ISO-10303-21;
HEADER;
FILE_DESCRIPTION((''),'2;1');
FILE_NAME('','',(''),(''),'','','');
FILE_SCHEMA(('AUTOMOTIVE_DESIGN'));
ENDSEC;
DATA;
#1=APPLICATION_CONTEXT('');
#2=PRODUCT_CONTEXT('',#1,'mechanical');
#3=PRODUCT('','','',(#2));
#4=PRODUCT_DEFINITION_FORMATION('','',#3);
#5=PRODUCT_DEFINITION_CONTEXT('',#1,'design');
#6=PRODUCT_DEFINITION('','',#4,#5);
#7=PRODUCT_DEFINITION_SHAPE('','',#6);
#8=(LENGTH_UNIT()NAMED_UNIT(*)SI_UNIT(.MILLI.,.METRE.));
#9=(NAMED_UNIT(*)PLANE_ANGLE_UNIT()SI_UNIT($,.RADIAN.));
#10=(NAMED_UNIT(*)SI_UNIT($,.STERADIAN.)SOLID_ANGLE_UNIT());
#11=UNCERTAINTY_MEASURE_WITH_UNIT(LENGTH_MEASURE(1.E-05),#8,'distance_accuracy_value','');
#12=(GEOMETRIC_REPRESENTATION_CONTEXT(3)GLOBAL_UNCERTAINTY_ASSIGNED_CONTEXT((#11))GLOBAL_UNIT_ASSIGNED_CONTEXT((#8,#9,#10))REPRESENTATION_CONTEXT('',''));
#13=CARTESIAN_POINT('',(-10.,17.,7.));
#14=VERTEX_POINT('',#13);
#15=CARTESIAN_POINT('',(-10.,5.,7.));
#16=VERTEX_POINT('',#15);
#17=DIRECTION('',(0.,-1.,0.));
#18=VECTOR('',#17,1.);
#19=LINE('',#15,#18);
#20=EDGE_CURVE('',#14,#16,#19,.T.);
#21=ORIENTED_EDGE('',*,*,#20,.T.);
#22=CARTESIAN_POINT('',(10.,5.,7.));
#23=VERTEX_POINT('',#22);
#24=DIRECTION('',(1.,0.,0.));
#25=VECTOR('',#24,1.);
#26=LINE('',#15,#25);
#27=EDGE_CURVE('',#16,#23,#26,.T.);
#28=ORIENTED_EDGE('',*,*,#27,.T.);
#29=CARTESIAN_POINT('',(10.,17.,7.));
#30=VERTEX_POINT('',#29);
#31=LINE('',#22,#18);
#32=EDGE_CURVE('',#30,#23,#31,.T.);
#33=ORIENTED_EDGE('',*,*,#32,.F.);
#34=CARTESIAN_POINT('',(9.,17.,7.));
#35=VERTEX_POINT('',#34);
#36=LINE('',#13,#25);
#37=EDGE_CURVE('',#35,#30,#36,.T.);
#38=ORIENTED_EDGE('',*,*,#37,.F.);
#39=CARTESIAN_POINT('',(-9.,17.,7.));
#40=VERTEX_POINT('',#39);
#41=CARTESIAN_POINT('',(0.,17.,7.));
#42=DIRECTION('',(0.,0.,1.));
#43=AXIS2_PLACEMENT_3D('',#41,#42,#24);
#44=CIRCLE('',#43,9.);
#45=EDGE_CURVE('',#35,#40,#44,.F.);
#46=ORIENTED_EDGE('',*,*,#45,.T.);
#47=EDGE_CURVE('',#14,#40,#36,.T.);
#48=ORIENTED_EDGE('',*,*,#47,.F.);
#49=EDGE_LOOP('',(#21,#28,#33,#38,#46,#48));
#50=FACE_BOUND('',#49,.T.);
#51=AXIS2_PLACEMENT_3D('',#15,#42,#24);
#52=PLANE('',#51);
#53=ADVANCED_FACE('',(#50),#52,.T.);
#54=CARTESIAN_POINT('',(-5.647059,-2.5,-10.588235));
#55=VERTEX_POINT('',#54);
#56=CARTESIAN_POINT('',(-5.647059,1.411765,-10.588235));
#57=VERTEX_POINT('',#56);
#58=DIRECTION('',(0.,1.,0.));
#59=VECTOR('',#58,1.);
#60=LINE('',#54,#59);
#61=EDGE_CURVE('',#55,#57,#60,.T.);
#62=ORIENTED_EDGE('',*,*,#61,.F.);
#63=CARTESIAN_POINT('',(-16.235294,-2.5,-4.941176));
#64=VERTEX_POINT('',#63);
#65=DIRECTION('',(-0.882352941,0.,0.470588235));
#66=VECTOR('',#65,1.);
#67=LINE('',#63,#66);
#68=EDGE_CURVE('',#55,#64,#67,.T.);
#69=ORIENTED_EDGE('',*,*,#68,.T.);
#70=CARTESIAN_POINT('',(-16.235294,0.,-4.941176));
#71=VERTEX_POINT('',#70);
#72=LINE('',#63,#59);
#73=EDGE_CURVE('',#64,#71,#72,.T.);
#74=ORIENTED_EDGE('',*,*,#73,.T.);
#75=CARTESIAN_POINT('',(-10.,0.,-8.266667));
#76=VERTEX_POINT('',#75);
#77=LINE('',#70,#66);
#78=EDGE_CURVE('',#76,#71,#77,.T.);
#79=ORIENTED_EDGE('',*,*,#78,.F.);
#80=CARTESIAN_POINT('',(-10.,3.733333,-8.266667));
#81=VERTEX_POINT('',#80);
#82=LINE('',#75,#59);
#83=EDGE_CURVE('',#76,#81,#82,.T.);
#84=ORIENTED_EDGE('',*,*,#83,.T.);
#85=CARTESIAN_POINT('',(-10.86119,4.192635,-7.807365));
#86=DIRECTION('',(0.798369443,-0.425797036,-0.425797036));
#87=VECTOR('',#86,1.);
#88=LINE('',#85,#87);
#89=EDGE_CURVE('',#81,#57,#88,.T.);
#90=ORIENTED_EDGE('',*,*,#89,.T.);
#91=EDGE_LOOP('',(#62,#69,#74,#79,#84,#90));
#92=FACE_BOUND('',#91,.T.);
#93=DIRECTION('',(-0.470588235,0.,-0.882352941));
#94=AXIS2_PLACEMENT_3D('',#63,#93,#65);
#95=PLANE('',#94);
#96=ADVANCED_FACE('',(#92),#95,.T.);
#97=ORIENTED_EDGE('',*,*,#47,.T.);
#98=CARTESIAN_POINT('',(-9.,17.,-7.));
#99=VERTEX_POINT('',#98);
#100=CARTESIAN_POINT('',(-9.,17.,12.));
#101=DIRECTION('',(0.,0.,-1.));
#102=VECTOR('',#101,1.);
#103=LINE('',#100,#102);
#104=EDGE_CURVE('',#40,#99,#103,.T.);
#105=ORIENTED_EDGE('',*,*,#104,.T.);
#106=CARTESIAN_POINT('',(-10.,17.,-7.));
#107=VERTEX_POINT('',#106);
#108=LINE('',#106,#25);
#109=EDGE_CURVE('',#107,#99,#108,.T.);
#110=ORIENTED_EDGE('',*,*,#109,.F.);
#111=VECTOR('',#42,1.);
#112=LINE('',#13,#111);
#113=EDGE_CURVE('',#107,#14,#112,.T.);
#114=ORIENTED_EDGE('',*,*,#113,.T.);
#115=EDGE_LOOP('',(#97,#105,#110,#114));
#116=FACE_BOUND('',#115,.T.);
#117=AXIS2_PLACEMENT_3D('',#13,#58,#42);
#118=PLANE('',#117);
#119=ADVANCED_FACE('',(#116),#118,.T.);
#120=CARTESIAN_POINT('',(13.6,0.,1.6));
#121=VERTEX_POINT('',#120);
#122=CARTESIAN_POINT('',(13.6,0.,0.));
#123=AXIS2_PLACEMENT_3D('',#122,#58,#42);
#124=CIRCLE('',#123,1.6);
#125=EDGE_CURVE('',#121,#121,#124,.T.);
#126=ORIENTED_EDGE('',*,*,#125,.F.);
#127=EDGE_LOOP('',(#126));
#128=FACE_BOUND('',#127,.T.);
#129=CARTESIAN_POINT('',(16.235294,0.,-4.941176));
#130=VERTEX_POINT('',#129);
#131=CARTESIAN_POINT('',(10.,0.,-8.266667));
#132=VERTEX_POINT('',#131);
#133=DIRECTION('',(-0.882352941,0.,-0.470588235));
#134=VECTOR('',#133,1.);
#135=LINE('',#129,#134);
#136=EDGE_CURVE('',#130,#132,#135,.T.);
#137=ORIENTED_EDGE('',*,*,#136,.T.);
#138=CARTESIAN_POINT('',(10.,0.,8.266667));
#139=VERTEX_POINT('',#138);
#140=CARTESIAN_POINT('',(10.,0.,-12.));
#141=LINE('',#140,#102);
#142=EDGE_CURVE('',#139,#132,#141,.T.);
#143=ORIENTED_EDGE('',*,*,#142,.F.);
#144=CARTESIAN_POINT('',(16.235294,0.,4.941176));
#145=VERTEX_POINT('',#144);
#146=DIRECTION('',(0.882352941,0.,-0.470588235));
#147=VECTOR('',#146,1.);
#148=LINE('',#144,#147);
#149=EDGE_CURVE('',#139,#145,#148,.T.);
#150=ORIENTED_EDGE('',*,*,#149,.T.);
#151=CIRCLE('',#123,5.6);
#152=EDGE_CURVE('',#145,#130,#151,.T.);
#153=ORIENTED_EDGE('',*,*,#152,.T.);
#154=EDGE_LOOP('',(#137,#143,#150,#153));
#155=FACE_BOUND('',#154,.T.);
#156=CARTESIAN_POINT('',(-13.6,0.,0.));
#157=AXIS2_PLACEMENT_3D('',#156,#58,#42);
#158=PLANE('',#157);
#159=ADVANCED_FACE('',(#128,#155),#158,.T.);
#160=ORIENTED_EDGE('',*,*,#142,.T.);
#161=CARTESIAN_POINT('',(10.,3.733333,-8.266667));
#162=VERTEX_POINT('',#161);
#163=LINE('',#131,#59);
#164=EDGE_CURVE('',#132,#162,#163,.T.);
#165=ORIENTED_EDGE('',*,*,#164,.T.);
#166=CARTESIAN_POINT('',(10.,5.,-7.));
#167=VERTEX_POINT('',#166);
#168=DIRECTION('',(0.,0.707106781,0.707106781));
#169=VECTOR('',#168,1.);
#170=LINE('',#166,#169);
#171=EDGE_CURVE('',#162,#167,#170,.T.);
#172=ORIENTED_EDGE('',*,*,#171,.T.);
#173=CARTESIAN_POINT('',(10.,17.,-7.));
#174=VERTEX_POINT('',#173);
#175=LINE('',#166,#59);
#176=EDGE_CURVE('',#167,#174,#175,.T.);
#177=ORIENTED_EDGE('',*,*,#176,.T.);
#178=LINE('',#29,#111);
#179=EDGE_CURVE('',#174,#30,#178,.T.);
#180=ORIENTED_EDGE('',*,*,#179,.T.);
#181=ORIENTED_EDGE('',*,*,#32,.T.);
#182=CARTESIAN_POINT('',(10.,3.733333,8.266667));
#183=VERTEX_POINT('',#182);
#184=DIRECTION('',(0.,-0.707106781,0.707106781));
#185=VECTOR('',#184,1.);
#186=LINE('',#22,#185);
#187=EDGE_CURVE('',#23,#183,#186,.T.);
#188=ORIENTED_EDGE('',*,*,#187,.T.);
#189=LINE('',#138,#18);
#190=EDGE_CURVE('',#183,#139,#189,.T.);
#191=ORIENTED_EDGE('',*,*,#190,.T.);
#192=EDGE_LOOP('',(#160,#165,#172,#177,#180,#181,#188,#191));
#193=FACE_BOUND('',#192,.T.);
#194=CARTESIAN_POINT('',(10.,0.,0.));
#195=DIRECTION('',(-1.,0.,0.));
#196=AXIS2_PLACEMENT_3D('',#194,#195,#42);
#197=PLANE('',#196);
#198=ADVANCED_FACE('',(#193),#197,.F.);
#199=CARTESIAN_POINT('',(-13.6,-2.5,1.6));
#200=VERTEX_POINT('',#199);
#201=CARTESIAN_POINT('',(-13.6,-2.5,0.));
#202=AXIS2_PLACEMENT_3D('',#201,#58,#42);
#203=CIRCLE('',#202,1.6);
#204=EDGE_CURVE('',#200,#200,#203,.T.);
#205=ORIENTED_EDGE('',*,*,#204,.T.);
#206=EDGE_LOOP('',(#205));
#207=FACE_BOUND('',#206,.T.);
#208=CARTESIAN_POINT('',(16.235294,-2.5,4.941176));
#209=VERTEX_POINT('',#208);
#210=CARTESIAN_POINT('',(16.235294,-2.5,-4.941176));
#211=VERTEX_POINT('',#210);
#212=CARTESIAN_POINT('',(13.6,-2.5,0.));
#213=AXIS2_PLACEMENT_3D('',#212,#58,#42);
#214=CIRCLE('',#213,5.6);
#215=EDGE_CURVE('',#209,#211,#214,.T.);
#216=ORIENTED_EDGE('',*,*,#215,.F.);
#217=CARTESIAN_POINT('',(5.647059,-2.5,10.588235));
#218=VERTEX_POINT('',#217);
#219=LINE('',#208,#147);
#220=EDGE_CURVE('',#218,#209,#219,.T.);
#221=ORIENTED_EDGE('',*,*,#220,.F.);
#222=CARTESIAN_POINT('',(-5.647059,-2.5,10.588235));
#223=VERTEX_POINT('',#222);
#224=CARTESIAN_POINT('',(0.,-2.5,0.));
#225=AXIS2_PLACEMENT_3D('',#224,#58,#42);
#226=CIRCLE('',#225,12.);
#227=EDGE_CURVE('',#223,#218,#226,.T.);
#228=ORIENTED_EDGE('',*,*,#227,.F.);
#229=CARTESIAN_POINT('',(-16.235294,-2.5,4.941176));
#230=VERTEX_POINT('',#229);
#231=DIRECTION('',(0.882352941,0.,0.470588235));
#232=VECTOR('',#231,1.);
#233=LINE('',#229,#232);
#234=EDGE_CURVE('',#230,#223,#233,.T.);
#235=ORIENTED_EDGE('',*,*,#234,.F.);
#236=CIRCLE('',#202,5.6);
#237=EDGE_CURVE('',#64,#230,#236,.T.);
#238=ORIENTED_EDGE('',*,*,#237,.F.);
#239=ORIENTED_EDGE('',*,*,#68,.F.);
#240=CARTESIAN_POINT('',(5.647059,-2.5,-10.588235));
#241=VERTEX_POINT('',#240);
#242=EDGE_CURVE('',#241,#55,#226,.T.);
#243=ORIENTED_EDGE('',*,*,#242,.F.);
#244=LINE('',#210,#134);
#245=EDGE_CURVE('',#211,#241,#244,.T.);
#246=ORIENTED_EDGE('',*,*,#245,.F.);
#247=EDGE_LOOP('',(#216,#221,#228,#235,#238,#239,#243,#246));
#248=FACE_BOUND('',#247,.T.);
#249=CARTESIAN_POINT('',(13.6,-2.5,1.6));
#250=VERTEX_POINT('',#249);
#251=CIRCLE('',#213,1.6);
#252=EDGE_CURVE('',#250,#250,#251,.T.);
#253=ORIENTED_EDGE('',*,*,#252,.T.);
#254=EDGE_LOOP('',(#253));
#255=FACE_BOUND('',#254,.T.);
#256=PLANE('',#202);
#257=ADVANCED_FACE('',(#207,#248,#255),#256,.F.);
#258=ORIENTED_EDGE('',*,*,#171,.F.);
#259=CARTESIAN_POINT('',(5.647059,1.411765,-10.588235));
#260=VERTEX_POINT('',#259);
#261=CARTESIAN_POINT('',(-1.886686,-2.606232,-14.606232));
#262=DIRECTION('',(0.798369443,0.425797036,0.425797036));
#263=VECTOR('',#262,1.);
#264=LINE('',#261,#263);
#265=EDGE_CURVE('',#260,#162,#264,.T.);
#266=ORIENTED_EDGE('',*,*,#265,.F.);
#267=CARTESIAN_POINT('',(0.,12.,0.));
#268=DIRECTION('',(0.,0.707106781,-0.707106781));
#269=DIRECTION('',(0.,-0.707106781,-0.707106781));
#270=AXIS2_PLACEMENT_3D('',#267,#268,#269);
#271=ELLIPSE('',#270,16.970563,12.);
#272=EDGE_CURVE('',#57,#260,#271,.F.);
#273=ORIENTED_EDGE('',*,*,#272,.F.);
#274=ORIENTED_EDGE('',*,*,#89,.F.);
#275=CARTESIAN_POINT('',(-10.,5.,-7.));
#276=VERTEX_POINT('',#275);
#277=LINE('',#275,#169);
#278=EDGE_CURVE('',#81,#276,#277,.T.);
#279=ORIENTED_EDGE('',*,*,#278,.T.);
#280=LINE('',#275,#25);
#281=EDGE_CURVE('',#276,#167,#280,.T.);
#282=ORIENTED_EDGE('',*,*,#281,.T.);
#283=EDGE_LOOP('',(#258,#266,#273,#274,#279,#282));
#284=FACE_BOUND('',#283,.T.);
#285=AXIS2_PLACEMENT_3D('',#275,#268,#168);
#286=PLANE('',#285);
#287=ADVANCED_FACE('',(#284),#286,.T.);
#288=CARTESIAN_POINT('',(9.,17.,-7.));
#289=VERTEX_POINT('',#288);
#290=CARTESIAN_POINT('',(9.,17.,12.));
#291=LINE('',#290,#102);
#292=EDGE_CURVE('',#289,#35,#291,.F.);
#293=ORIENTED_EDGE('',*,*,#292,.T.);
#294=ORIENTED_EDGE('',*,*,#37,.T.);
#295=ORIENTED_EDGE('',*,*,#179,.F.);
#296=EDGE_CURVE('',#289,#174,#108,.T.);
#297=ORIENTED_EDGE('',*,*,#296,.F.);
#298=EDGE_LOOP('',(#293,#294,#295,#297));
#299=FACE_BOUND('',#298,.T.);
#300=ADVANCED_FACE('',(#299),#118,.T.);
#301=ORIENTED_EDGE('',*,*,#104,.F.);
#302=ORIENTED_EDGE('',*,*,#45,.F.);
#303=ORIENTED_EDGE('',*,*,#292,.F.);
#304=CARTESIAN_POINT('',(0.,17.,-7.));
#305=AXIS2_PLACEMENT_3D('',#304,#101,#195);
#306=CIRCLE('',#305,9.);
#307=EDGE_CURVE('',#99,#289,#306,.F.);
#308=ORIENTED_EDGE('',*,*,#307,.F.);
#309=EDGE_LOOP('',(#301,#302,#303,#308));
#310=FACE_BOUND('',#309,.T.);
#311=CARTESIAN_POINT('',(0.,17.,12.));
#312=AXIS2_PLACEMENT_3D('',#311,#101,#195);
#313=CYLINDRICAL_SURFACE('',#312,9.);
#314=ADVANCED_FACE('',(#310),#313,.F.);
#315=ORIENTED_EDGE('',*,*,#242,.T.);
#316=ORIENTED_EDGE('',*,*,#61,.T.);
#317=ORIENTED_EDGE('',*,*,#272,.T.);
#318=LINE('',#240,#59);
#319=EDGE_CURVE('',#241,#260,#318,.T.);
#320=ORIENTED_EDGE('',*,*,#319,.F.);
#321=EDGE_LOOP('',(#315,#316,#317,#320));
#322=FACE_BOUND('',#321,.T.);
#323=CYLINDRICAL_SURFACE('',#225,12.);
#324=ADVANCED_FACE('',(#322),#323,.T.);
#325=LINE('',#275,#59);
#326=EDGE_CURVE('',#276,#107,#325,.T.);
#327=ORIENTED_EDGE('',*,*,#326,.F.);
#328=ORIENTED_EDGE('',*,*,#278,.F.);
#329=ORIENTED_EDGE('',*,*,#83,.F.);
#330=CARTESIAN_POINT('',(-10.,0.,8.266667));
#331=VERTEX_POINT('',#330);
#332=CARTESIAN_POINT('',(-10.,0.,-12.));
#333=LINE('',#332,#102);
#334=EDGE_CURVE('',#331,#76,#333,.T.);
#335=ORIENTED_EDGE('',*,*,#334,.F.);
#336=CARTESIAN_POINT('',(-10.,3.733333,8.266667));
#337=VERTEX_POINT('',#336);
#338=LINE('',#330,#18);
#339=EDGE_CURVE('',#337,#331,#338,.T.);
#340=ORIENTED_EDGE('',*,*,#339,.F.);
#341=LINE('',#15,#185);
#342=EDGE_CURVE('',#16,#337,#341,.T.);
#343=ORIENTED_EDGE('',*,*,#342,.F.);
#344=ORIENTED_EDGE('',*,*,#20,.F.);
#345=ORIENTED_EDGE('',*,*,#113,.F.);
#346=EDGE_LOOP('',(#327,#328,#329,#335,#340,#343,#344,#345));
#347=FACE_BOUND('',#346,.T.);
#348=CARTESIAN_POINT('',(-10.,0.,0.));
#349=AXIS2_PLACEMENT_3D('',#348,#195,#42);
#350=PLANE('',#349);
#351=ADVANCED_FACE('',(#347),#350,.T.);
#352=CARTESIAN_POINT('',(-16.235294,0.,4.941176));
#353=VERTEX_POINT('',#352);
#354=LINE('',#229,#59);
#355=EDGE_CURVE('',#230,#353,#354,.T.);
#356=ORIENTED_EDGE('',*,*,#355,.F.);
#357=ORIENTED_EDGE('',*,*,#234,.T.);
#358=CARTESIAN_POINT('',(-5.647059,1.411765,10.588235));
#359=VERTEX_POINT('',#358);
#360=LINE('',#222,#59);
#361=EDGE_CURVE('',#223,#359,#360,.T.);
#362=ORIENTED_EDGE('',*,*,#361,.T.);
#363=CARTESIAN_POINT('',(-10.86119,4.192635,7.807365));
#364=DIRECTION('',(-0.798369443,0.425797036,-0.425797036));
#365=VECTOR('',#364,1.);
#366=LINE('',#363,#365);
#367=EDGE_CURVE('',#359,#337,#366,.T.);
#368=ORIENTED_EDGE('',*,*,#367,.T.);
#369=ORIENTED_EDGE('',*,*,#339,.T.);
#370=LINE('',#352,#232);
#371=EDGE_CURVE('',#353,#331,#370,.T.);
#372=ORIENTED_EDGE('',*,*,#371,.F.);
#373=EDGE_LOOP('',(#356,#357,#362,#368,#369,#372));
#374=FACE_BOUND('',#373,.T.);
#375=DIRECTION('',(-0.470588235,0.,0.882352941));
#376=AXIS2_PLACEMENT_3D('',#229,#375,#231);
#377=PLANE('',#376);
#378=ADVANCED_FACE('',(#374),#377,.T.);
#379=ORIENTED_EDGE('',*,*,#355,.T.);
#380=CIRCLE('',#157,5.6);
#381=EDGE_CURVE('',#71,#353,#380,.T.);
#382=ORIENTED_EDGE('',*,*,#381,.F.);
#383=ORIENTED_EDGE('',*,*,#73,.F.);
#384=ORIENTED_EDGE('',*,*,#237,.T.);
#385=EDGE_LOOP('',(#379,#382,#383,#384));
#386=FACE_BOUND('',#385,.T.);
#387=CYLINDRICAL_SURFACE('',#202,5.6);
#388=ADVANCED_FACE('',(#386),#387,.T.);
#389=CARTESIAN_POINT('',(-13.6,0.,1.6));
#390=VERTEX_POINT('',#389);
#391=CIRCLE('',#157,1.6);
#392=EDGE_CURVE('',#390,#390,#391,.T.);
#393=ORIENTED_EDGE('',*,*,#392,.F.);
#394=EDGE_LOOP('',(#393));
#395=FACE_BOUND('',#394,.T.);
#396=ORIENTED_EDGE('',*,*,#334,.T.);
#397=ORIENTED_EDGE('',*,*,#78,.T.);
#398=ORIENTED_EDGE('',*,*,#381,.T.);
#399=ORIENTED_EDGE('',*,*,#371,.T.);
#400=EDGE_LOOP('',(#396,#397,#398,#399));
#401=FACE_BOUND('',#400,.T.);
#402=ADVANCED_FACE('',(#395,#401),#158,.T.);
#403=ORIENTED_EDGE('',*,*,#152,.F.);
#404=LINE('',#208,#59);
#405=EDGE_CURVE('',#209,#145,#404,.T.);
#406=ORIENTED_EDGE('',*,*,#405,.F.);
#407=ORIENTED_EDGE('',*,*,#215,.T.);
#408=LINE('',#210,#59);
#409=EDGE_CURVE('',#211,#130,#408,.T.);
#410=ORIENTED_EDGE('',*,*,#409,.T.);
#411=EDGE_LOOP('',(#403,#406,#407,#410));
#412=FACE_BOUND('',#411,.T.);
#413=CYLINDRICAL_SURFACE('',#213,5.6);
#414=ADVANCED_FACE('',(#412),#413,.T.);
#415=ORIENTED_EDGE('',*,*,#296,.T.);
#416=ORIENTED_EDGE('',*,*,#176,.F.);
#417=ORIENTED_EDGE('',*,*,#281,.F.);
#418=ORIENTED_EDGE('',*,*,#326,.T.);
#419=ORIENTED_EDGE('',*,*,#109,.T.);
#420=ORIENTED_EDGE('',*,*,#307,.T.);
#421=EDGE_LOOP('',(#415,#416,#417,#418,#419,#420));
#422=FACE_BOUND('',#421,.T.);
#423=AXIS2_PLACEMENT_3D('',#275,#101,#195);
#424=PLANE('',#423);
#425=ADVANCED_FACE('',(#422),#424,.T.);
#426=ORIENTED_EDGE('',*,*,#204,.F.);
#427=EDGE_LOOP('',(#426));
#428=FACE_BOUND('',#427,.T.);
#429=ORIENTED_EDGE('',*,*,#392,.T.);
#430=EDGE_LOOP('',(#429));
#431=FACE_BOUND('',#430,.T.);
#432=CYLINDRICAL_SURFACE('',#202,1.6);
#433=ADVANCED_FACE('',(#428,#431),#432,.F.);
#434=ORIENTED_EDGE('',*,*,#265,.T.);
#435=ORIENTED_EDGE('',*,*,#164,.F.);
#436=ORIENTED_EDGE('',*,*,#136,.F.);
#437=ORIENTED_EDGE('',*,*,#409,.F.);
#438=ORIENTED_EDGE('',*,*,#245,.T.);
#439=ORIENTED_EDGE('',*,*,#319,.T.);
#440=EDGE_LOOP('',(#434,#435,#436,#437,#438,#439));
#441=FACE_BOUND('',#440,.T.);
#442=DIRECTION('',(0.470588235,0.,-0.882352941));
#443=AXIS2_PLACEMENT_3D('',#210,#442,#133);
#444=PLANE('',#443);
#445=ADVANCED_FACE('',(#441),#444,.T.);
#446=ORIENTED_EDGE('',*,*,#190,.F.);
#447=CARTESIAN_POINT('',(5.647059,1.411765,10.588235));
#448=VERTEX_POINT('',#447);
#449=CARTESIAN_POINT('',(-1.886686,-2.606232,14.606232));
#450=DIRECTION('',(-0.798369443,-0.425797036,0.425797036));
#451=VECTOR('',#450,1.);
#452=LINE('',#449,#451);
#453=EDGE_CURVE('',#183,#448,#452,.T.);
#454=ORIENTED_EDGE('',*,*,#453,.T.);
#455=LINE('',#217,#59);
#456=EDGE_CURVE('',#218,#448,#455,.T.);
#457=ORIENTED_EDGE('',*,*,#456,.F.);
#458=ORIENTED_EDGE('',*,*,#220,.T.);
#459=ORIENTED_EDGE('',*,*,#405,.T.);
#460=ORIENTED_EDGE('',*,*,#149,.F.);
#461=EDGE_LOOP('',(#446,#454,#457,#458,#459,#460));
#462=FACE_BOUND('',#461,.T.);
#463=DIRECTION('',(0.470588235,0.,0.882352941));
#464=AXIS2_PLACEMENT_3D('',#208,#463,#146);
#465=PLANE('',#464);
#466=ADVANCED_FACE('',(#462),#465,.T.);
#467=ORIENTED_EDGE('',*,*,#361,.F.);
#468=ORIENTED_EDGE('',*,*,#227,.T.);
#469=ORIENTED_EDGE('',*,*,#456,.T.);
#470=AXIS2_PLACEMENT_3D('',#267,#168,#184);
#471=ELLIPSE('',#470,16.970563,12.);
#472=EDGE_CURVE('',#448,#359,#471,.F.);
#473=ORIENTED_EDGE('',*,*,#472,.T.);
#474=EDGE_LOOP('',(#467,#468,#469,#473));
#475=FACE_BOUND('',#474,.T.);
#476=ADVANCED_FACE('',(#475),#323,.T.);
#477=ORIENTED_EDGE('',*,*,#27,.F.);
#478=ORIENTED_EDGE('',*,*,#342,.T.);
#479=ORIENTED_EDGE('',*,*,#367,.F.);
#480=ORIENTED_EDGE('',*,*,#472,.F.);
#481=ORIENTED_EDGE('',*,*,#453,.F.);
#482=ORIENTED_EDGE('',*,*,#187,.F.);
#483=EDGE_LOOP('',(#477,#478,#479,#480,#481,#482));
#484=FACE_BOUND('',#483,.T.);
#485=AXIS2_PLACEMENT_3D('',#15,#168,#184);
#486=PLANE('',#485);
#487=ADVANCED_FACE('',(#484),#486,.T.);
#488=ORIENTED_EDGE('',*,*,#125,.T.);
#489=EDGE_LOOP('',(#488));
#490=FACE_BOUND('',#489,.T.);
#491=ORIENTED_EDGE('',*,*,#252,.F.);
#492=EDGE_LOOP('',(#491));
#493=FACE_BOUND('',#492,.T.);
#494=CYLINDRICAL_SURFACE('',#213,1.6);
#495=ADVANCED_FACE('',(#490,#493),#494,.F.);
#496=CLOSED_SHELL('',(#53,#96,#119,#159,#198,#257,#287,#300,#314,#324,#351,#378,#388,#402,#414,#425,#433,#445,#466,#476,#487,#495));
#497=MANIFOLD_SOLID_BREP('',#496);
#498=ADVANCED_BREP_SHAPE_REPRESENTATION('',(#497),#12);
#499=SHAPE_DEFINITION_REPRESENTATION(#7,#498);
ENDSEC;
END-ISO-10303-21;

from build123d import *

# Parameters (mm, degrees)
SKETCH_1_R               = 1.6
EXTRUDE_1_DEPTH          = 2.5
EXTRUDE_2_DEPTH          = 10
EXTRUDE_2_DEPTH_BACK     = 10
CUT_EXTRUDE_START        = 12
SKETCH_4_R               = 25
CUT_EXTRUDE_3_DEPTH      = 12
CUT_EXTRUDE_4_DEPTH      = 12
CUT_EXTRUDE_4_DEPTH_BACK = 12
SKETCH_5_R               = 9


with BuildPart() as part:
    # 草图1 → 凸台-拉伸1 (new body)
    with BuildSketch(Plane(origin=(0, 0, 0), x_dir=(1, 0, 0), z_dir=(0, 1, 0))):
        with BuildLine():
            Line((16.235294118, -4.941176471), (5.647058824, -10.588235294))
            ThreePointArc((5.647058824, -10.588235294), (0, -12), (-5.647058824, -10.588235294))
            Line((-5.647058824, -10.588235294), (-16.235294118, -4.941176471))
            ThreePointArc((-16.235294118, -4.941176471), (-19.2, 0), (-16.235294118, 4.941176471))
            Line((-16.235294118, 4.941176471), (-5.647058824, 10.588235294))
            ThreePointArc((-5.647058824, 10.588235294), (0, 12), (5.647058824, 10.588235294))
            Line((5.647058824, 10.588235294), (16.235294118, 4.941176471))
            ThreePointArc((16.235294118, 4.941176471), (19.2, 0), (16.235294118, -4.941176471))
        make_face()
        with Locations((-13.6, 0)):
            Circle(SKETCH_1_R, mode=Mode.SUBTRACT)
        with Locations((13.6, 0)):
            Circle(SKETCH_1_R, mode=Mode.SUBTRACT)
    extrude(amount=-EXTRUDE_1_DEPTH)

    # 草图2 → 凸台-拉伸2 (add, two sides: drawn at the far end of the back side and taken through both)
    with BuildSketch(Plane(origin=(0, 0, 0), x_dir=(0, 0, -1), z_dir=(1, 0, 0)).offset(-EXTRUDE_2_DEPTH_BACK)):
        Polygon((12, 0), (-12, 0), (-7, 5), (-7, 17), (7, 17), (7, 5), align=None)
    extrude(amount=EXTRUDE_2_DEPTH + EXTRUDE_2_DEPTH_BACK)

    # 草图4 → 切除-拉伸3 (cut)
    with BuildSketch(Plane(origin=(0, 0, 0), x_dir=(1, 0, 0), z_dir=(0, 1, 0)).offset(CUT_EXTRUDE_START)):
        Circle(SKETCH_4_R)
        with BuildLine():
            Line((5.647058824, -10.588235294), (10, -8.266666667))
            Line((10, -8.266666667), (16.235294118, -4.941176471))
            ThreePointArc((16.235294118, -4.941176471), (19.2, 0), (16.235294118, 4.941176471))
            Line((16.235294118, 4.941176471), (10, 8.266666667))
            Line((10, 8.266666667), (5.647058824, 10.588235294))
            ThreePointArc((5.647058824, 10.588235294), (2.9104275, 11.641710002), (0, 12))
            ThreePointArc((0, 12), (-2.9104275, 11.641710002), (-5.647058824, 10.588235294))
            Line((-5.647058824, 10.588235294), (-10, 8.266666667))
            Line((-10, 8.266666667), (-16.235294118, 4.941176471))
            ThreePointArc((-16.235294118, 4.941176471), (-19.2, 0), (-16.235294118, -4.941176471))
            Line((-16.235294118, -4.941176471), (-10, -8.266666667))
            Line((-10, -8.266666667), (-5.647058824, -10.588235294))
            ThreePointArc((-5.647058824, -10.588235294), (-2.9104275, -11.641710002), (0, -12))
            ThreePointArc((0, -12), (2.9104275, -11.641710002), (5.647058824, -10.588235294))
        make_face(mode=Mode.SUBTRACT)
    extrude(amount=-CUT_EXTRUDE_3_DEPTH, mode=Mode.SUBTRACT)

    # 草图5 → 切除-拉伸4 (cut, two sides: drawn at the far end of the back side and taken through both)
    with BuildSketch(Plane.XY.offset(-CUT_EXTRUDE_4_DEPTH_BACK)):
        with Locations((0, 17)):
            Circle(SKETCH_5_R)
    extrude(amount=CUT_EXTRUDE_4_DEPTH + CUT_EXTRUDE_4_DEPTH_BACK, mode=Mode.SUBTRACT)


solid = part.part
